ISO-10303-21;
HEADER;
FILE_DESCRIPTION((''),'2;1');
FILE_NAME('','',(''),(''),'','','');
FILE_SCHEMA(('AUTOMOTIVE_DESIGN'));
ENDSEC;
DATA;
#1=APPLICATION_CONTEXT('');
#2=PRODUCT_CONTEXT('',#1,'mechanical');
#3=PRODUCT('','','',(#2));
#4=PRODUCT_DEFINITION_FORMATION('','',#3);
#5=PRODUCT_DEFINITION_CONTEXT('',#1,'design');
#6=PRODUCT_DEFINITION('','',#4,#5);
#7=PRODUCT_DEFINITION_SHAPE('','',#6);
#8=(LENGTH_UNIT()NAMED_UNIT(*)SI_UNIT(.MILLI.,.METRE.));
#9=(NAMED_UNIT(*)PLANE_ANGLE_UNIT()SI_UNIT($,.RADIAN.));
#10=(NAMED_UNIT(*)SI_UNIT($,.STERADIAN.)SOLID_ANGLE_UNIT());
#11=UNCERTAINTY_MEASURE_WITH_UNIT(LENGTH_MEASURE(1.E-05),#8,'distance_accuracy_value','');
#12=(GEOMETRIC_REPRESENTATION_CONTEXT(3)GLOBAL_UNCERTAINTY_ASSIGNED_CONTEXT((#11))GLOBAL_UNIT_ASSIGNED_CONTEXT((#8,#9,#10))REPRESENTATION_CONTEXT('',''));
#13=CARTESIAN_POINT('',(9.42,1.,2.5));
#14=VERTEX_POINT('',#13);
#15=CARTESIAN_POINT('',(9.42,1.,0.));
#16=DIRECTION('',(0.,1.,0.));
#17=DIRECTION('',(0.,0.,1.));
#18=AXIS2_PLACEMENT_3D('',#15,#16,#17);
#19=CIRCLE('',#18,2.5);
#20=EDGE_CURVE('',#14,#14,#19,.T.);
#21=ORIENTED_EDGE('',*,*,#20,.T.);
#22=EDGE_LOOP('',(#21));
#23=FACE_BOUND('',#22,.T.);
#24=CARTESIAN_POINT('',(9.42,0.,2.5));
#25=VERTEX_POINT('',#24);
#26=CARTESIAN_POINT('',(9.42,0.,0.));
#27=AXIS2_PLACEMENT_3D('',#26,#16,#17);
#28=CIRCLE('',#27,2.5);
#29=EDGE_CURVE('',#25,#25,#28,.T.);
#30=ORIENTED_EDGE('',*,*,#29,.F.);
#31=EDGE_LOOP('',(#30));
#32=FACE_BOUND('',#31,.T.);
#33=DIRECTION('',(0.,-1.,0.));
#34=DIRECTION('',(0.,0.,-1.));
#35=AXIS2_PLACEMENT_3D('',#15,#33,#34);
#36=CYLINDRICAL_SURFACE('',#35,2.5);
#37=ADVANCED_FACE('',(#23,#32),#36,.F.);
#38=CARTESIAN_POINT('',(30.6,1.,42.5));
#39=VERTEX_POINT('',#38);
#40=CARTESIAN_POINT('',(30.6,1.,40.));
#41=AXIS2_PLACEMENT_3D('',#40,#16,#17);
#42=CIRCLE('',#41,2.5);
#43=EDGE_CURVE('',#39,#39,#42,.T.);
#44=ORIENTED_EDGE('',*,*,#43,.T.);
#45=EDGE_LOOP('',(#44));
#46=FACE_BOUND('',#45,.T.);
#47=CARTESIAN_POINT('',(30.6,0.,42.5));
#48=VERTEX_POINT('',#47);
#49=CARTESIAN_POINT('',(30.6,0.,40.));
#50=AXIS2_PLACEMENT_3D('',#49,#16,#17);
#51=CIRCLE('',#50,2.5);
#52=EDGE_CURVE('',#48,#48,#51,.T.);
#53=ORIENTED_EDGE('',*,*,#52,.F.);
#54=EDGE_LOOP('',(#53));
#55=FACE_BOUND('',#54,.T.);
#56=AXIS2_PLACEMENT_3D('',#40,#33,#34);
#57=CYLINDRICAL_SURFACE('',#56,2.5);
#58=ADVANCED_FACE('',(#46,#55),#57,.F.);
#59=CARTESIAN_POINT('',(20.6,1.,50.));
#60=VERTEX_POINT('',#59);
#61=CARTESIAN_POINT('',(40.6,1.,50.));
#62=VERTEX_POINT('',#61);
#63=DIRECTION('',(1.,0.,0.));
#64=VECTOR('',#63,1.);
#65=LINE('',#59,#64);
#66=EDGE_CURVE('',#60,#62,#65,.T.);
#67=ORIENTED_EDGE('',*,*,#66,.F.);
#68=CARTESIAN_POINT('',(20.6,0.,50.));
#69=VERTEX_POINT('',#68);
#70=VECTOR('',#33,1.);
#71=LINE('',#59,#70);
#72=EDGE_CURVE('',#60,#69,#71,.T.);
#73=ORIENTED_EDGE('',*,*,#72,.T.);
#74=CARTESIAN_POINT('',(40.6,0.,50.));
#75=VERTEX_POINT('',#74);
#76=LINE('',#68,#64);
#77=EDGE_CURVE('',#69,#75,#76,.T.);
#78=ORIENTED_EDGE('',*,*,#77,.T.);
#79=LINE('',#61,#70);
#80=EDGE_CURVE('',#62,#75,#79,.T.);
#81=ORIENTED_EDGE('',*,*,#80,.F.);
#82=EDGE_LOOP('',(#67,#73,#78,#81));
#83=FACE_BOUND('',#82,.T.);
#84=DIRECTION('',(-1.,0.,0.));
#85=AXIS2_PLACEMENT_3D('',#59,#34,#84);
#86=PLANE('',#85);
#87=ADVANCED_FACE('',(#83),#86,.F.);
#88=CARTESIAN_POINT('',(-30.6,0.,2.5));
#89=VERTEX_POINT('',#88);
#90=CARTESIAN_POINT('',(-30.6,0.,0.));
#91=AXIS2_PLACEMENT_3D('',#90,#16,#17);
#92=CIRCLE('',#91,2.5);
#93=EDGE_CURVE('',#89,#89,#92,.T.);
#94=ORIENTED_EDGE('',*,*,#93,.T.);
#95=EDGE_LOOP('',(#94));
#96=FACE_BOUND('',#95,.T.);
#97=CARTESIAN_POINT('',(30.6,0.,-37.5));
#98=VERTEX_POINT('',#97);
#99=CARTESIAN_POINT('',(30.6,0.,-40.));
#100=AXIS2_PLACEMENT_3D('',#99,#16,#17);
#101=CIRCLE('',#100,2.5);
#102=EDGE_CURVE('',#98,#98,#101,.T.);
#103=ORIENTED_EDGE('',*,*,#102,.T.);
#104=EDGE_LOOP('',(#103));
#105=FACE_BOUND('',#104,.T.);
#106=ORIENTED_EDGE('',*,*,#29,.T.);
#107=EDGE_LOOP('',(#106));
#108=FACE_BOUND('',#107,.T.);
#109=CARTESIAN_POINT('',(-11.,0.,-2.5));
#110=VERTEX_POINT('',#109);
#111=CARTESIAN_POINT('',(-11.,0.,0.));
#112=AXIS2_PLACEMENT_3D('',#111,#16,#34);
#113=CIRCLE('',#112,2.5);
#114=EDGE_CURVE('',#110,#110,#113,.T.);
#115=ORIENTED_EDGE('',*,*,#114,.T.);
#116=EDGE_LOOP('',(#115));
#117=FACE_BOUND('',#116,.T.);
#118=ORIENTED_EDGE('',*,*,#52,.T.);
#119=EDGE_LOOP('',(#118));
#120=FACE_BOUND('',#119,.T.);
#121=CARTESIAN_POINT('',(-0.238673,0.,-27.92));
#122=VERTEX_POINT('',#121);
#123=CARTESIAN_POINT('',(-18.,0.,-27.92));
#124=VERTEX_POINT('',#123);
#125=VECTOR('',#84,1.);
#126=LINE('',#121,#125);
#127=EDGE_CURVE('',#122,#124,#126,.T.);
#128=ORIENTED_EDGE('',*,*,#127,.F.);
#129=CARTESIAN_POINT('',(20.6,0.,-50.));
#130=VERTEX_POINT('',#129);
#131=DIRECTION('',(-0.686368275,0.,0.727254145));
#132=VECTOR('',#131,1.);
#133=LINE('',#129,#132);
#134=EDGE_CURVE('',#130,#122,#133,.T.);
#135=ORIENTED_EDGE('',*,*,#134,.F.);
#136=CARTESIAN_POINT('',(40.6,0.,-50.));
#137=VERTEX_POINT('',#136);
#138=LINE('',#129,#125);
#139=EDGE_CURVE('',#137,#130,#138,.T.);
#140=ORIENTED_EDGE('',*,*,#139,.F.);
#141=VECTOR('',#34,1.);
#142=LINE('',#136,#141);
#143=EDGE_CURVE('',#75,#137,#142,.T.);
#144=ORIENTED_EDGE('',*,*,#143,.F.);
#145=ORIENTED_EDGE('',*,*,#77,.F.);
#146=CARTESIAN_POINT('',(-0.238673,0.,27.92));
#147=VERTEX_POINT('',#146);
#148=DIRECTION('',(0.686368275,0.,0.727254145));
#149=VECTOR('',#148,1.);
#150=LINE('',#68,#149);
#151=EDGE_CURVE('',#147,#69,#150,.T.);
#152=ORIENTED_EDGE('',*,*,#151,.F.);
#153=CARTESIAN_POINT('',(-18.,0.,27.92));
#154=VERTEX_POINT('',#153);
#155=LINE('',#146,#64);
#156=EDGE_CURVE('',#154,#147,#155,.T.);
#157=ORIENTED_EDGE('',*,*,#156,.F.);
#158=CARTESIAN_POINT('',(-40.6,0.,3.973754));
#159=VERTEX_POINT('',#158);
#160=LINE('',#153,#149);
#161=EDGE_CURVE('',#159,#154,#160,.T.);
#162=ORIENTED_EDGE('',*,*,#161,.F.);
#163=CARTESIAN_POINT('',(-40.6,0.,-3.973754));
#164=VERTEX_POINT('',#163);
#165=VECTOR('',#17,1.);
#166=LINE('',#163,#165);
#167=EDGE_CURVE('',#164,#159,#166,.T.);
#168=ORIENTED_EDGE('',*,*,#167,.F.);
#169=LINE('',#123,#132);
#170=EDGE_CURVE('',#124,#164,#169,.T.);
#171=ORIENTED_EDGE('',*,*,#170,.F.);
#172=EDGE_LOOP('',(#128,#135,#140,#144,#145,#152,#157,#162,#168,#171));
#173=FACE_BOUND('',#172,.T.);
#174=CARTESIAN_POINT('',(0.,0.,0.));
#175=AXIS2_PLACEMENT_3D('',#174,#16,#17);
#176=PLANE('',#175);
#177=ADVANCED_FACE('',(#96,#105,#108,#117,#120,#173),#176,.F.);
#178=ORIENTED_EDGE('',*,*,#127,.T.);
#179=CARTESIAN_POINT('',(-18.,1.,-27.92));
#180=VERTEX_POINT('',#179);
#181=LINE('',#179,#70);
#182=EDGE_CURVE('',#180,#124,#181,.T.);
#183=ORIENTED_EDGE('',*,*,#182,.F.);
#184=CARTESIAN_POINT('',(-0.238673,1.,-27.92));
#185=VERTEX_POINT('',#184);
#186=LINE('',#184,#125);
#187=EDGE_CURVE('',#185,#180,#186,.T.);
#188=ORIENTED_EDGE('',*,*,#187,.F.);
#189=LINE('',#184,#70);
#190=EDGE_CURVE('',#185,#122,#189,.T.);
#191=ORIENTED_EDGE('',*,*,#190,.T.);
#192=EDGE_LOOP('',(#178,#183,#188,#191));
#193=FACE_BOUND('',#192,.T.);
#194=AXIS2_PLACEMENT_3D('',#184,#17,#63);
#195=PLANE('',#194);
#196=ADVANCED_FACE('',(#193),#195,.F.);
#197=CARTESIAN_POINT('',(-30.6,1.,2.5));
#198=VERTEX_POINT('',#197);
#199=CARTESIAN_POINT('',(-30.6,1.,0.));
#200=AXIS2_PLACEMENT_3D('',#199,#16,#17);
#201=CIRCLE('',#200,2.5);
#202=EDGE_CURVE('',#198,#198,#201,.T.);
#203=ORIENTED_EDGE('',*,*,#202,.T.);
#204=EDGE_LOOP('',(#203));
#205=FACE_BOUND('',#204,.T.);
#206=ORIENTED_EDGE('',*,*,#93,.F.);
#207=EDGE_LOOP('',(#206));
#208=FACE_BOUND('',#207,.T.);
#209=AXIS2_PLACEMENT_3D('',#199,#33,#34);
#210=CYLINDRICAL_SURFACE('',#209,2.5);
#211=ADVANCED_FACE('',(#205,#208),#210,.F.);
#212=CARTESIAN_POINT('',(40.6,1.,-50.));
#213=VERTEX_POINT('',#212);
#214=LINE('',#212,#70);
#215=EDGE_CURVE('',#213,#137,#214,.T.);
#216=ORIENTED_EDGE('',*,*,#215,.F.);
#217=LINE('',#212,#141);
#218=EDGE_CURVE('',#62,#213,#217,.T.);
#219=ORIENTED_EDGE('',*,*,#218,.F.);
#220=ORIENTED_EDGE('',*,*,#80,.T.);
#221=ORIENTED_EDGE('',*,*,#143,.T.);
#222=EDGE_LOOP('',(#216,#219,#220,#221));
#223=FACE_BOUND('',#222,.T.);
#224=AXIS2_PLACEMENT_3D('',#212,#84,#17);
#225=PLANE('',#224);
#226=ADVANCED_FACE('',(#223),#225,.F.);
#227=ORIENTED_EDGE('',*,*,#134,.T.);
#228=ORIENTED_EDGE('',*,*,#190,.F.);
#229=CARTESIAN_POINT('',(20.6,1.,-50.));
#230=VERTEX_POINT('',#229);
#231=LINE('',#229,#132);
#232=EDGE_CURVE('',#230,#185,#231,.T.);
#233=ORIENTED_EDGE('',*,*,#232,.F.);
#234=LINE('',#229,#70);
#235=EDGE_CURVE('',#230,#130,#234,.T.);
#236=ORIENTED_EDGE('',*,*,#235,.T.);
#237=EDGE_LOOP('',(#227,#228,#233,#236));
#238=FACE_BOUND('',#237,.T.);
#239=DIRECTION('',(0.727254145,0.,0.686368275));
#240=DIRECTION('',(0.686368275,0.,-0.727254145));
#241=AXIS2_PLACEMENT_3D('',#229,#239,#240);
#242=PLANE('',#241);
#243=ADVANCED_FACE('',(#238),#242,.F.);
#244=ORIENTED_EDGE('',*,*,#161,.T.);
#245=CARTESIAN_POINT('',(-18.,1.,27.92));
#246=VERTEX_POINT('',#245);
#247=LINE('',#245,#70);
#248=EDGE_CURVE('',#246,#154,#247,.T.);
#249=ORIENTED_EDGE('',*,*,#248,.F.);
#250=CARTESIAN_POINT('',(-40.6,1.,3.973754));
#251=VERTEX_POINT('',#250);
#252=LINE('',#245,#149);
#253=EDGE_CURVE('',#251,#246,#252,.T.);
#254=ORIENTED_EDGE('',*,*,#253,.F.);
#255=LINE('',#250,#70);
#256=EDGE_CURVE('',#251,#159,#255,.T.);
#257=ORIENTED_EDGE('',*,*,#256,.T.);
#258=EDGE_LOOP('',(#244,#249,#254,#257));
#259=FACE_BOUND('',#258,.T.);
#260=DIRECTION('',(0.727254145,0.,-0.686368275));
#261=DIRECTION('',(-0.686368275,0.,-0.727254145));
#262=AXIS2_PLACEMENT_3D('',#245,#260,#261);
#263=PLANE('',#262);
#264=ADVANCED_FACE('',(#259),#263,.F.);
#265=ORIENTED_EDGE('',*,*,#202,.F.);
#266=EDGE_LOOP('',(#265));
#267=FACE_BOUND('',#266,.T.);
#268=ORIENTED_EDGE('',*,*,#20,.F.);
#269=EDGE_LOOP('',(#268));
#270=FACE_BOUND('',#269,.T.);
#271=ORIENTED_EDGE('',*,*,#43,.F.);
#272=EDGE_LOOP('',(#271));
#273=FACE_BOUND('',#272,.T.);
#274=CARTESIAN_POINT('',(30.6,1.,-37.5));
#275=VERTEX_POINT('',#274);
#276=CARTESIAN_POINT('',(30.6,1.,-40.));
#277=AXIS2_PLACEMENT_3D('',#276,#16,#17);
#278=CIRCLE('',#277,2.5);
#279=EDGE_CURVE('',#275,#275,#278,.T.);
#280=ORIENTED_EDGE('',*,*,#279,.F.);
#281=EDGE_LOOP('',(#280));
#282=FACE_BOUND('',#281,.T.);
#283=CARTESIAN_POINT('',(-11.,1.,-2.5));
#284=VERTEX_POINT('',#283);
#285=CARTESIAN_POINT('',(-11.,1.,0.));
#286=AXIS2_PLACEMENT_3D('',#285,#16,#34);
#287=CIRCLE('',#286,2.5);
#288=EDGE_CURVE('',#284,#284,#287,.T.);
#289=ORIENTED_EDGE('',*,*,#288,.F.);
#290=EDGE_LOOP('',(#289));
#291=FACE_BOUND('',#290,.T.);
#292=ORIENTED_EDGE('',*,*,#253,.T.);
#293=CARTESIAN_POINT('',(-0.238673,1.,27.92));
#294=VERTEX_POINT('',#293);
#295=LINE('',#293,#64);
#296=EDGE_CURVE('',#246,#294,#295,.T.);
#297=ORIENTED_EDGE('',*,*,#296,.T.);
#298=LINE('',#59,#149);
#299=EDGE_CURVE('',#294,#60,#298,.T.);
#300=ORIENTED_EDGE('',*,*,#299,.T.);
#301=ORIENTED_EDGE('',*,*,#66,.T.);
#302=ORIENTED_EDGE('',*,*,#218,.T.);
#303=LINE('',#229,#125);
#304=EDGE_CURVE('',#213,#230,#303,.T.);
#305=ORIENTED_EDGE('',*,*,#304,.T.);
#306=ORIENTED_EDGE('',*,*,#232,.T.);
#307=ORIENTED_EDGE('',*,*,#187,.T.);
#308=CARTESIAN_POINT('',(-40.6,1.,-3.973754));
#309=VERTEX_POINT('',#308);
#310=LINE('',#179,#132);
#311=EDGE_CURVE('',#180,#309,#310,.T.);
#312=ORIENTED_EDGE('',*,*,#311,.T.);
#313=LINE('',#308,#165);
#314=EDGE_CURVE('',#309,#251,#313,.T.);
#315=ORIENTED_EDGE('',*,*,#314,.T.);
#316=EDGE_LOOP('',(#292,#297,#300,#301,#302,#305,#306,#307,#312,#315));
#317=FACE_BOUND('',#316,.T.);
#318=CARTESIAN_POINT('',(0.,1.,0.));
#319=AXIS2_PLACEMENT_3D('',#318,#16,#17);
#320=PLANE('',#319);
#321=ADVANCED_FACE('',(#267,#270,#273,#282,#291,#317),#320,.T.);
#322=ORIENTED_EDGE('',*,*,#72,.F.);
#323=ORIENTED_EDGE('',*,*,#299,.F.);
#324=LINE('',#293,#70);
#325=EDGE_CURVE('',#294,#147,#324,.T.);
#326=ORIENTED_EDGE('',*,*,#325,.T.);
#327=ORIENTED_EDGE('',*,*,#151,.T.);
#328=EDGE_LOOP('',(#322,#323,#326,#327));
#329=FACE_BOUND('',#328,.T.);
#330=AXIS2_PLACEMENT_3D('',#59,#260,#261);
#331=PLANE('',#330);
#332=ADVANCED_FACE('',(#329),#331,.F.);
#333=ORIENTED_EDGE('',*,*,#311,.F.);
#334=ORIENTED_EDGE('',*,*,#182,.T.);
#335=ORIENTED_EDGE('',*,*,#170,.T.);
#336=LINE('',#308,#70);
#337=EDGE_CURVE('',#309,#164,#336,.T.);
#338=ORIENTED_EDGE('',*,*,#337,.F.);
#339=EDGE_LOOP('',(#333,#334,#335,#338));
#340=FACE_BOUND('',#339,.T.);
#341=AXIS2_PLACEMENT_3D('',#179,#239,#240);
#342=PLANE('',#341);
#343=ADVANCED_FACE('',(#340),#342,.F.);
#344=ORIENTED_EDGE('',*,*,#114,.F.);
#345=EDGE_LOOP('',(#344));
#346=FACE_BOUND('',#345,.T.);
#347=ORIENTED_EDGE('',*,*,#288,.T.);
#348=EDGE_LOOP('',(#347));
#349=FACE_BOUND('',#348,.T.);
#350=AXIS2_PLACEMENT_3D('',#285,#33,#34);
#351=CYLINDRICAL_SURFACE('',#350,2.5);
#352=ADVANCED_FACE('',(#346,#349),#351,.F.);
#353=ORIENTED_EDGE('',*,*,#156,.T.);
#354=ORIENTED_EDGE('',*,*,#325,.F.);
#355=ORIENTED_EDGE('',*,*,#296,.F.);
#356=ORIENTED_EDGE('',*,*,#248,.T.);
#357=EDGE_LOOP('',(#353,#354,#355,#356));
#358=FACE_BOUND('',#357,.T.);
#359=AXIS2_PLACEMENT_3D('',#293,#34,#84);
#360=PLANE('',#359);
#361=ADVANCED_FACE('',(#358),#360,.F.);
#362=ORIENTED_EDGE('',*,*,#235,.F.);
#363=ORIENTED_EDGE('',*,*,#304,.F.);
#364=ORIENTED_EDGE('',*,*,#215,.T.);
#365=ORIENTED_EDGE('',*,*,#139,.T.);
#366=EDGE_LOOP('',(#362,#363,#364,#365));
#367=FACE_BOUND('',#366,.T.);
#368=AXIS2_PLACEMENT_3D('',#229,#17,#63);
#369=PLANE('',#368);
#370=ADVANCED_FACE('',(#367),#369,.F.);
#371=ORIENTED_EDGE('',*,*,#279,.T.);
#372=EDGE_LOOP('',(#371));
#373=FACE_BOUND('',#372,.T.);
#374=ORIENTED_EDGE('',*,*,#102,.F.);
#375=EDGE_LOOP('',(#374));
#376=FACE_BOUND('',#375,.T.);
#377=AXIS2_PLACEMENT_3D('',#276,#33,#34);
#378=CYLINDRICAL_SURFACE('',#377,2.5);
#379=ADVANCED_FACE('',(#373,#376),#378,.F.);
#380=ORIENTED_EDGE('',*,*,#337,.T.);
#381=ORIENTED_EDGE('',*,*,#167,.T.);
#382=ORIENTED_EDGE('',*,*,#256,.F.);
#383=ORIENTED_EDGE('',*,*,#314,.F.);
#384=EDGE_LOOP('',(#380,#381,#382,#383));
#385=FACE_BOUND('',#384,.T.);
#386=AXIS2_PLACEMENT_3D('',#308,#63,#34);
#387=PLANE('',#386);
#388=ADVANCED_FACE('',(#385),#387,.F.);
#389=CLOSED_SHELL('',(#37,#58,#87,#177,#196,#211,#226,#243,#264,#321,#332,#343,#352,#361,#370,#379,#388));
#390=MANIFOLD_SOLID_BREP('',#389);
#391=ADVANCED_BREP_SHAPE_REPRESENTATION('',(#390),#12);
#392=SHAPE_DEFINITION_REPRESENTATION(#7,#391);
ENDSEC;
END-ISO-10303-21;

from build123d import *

# Parameters (mm, degrees)
SKETCH1_R           = 2.5
BOSS_EXTRUDE1_DEPTH = 1


with BuildPart() as part:
    # Sketch1 → Boss-Extrude1 (new body)
    with BuildSketch(Plane(origin=(0, 0, 0), x_dir=(1, 0, 0), z_dir=(0, 1, 0))):
        Polygon((20.6, 50), (40.6, 50), (40.6, -50), (20.6, -50), (-0.238673257, -27.92), (-18, -27.92), (-40.6, -3.973753814), (-40.6, 3.973753814), (-18, 27.92), (-0.238673257, 27.92), align=None)
        with Locations((-30.6, 0)):
            Circle(SKETCH1_R, mode=Mode.SUBTRACT)
        with Locations((30.6, 40)):
            Circle(SKETCH1_R, mode=Mode.SUBTRACT)
        with Locations((30.6, -40)):
            Circle(SKETCH1_R, mode=Mode.SUBTRACT)
        with Locations((9.42, 0)):
            Circle(SKETCH1_R, mode=Mode.SUBTRACT)
        with Locations((-11, 0)):
            Circle(SKETCH1_R, mode=Mode.SUBTRACT)
    extrude(amount=BOSS_EXTRUDE1_DEPTH)


solid = part.part
